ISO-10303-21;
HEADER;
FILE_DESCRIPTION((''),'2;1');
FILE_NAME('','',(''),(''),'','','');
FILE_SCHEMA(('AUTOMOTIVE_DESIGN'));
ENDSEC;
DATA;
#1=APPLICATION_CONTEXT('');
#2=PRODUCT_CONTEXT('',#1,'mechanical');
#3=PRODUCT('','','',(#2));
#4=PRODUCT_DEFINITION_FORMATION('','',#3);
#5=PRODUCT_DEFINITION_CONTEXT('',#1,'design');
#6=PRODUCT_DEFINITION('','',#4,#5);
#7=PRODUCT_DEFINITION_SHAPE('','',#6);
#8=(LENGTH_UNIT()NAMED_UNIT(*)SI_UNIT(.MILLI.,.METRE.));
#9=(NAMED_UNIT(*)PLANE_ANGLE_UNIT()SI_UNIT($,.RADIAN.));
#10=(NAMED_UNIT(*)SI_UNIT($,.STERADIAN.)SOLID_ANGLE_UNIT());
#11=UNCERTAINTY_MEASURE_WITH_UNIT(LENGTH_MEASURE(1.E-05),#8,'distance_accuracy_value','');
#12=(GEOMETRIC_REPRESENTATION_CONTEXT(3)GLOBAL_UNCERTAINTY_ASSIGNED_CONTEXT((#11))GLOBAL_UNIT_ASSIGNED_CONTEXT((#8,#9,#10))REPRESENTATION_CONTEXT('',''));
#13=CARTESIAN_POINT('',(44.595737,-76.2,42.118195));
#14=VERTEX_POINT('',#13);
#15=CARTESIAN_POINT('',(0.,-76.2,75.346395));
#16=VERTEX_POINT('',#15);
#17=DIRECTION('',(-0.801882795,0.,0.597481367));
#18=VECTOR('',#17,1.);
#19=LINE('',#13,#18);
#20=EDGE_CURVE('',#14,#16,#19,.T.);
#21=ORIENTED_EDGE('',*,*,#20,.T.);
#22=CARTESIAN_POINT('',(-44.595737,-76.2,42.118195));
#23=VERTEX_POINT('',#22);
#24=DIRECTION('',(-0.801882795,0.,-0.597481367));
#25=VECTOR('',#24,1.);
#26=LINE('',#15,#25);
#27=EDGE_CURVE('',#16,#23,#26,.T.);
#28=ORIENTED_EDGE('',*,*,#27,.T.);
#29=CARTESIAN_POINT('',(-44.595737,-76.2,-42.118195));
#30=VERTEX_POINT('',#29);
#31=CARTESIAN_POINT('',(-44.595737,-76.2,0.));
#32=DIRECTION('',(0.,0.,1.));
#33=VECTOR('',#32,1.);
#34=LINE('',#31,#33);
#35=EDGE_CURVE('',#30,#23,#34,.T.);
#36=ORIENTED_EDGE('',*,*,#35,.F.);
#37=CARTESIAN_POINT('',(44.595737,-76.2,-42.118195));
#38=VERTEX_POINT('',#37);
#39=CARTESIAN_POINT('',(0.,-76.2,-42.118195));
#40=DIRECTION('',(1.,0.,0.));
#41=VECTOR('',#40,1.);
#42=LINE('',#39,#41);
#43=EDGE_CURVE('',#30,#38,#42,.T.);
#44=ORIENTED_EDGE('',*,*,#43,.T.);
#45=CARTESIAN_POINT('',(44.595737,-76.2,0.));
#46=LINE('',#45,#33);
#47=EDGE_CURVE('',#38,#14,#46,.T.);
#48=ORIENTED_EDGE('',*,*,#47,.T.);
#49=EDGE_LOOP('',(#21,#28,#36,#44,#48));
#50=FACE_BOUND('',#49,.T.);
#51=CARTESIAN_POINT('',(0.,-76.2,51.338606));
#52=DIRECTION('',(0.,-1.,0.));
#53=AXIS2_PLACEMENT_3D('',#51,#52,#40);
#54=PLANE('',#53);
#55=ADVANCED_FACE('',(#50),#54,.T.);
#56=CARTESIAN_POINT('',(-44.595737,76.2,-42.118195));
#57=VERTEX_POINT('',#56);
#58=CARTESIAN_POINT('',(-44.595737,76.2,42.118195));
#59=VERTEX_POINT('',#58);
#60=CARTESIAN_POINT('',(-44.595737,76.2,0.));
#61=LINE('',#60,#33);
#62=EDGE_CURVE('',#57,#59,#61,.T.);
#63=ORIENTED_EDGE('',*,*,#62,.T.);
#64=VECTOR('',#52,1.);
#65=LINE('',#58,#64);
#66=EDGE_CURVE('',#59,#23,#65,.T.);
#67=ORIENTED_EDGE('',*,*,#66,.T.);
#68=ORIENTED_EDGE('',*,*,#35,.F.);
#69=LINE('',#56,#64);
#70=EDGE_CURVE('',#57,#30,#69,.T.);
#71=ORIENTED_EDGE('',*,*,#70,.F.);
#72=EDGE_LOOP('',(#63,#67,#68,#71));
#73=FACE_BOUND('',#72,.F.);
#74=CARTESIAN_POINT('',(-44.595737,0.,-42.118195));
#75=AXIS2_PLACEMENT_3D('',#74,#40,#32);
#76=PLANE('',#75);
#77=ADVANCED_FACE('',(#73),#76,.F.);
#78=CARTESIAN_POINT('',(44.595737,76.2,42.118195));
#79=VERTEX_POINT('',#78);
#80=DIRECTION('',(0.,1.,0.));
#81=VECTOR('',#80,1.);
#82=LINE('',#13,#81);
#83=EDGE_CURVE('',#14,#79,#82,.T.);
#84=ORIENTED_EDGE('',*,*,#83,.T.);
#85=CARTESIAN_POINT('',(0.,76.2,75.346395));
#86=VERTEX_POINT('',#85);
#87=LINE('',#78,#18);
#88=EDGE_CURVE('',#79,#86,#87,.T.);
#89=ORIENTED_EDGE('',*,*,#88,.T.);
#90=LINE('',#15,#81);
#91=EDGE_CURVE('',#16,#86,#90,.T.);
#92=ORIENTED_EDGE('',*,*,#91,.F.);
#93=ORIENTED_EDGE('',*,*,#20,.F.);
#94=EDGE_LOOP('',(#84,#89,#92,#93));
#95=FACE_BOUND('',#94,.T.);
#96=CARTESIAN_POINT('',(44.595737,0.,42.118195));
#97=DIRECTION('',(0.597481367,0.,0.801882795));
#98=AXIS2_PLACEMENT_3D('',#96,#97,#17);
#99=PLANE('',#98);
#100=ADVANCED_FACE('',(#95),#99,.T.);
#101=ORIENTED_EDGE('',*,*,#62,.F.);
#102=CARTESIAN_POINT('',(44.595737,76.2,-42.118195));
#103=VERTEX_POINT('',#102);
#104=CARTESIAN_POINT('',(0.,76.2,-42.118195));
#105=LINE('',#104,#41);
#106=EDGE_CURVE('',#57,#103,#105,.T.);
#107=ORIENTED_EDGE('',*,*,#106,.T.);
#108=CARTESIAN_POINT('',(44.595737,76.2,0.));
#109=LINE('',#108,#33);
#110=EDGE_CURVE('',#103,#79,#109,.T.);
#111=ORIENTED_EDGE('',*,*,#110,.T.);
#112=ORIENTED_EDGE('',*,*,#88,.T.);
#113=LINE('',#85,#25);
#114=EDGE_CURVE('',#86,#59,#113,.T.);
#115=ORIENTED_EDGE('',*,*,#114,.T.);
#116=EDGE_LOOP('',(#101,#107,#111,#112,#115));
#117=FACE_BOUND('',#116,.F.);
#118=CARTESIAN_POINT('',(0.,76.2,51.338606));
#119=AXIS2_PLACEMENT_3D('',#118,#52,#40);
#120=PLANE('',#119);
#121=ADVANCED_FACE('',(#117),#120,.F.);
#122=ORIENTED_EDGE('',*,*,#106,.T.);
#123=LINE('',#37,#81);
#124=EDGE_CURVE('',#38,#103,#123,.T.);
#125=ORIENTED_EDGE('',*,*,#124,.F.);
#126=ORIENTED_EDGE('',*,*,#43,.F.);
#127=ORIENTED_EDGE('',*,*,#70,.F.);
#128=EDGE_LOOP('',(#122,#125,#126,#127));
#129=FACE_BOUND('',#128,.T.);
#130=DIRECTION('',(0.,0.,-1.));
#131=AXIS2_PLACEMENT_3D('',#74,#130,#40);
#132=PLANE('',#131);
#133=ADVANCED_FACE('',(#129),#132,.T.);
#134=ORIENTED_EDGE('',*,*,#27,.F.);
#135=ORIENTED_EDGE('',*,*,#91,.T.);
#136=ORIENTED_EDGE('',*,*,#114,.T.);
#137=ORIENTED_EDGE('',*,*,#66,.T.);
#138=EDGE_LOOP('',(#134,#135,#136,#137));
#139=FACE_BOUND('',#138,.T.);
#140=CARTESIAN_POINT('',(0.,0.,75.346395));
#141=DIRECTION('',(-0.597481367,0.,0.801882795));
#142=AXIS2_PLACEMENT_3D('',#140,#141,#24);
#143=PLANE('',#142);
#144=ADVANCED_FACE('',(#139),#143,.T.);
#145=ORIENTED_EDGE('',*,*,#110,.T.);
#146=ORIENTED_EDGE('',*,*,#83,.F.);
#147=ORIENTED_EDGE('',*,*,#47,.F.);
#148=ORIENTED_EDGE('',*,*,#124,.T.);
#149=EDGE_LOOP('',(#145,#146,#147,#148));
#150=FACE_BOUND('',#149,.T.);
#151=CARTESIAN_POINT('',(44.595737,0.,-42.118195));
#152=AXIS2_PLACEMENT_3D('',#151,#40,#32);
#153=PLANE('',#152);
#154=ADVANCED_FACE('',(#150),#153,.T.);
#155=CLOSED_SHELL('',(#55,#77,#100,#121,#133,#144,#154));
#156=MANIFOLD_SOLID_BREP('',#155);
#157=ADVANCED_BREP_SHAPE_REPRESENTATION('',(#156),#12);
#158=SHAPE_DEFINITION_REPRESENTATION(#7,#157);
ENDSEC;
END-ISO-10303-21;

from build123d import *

# Parameters (mm, degrees)
F0_W     = 89.191474
F0_H     = 84.23639
F1_DEPTH = 76.2


with BuildPart() as f1:
    # F0 (on Front) → F1 (new body, symmetric)
    with BuildSketch(Plane.XZ):
        Polygon((0, 75.346395), (-44.595737, 42.118195), (44.595737, 42.118195), align=None)
        Rectangle(F0_W, F0_H)
    extrude(amount=F1_DEPTH, both=True)


solid = f1.part
